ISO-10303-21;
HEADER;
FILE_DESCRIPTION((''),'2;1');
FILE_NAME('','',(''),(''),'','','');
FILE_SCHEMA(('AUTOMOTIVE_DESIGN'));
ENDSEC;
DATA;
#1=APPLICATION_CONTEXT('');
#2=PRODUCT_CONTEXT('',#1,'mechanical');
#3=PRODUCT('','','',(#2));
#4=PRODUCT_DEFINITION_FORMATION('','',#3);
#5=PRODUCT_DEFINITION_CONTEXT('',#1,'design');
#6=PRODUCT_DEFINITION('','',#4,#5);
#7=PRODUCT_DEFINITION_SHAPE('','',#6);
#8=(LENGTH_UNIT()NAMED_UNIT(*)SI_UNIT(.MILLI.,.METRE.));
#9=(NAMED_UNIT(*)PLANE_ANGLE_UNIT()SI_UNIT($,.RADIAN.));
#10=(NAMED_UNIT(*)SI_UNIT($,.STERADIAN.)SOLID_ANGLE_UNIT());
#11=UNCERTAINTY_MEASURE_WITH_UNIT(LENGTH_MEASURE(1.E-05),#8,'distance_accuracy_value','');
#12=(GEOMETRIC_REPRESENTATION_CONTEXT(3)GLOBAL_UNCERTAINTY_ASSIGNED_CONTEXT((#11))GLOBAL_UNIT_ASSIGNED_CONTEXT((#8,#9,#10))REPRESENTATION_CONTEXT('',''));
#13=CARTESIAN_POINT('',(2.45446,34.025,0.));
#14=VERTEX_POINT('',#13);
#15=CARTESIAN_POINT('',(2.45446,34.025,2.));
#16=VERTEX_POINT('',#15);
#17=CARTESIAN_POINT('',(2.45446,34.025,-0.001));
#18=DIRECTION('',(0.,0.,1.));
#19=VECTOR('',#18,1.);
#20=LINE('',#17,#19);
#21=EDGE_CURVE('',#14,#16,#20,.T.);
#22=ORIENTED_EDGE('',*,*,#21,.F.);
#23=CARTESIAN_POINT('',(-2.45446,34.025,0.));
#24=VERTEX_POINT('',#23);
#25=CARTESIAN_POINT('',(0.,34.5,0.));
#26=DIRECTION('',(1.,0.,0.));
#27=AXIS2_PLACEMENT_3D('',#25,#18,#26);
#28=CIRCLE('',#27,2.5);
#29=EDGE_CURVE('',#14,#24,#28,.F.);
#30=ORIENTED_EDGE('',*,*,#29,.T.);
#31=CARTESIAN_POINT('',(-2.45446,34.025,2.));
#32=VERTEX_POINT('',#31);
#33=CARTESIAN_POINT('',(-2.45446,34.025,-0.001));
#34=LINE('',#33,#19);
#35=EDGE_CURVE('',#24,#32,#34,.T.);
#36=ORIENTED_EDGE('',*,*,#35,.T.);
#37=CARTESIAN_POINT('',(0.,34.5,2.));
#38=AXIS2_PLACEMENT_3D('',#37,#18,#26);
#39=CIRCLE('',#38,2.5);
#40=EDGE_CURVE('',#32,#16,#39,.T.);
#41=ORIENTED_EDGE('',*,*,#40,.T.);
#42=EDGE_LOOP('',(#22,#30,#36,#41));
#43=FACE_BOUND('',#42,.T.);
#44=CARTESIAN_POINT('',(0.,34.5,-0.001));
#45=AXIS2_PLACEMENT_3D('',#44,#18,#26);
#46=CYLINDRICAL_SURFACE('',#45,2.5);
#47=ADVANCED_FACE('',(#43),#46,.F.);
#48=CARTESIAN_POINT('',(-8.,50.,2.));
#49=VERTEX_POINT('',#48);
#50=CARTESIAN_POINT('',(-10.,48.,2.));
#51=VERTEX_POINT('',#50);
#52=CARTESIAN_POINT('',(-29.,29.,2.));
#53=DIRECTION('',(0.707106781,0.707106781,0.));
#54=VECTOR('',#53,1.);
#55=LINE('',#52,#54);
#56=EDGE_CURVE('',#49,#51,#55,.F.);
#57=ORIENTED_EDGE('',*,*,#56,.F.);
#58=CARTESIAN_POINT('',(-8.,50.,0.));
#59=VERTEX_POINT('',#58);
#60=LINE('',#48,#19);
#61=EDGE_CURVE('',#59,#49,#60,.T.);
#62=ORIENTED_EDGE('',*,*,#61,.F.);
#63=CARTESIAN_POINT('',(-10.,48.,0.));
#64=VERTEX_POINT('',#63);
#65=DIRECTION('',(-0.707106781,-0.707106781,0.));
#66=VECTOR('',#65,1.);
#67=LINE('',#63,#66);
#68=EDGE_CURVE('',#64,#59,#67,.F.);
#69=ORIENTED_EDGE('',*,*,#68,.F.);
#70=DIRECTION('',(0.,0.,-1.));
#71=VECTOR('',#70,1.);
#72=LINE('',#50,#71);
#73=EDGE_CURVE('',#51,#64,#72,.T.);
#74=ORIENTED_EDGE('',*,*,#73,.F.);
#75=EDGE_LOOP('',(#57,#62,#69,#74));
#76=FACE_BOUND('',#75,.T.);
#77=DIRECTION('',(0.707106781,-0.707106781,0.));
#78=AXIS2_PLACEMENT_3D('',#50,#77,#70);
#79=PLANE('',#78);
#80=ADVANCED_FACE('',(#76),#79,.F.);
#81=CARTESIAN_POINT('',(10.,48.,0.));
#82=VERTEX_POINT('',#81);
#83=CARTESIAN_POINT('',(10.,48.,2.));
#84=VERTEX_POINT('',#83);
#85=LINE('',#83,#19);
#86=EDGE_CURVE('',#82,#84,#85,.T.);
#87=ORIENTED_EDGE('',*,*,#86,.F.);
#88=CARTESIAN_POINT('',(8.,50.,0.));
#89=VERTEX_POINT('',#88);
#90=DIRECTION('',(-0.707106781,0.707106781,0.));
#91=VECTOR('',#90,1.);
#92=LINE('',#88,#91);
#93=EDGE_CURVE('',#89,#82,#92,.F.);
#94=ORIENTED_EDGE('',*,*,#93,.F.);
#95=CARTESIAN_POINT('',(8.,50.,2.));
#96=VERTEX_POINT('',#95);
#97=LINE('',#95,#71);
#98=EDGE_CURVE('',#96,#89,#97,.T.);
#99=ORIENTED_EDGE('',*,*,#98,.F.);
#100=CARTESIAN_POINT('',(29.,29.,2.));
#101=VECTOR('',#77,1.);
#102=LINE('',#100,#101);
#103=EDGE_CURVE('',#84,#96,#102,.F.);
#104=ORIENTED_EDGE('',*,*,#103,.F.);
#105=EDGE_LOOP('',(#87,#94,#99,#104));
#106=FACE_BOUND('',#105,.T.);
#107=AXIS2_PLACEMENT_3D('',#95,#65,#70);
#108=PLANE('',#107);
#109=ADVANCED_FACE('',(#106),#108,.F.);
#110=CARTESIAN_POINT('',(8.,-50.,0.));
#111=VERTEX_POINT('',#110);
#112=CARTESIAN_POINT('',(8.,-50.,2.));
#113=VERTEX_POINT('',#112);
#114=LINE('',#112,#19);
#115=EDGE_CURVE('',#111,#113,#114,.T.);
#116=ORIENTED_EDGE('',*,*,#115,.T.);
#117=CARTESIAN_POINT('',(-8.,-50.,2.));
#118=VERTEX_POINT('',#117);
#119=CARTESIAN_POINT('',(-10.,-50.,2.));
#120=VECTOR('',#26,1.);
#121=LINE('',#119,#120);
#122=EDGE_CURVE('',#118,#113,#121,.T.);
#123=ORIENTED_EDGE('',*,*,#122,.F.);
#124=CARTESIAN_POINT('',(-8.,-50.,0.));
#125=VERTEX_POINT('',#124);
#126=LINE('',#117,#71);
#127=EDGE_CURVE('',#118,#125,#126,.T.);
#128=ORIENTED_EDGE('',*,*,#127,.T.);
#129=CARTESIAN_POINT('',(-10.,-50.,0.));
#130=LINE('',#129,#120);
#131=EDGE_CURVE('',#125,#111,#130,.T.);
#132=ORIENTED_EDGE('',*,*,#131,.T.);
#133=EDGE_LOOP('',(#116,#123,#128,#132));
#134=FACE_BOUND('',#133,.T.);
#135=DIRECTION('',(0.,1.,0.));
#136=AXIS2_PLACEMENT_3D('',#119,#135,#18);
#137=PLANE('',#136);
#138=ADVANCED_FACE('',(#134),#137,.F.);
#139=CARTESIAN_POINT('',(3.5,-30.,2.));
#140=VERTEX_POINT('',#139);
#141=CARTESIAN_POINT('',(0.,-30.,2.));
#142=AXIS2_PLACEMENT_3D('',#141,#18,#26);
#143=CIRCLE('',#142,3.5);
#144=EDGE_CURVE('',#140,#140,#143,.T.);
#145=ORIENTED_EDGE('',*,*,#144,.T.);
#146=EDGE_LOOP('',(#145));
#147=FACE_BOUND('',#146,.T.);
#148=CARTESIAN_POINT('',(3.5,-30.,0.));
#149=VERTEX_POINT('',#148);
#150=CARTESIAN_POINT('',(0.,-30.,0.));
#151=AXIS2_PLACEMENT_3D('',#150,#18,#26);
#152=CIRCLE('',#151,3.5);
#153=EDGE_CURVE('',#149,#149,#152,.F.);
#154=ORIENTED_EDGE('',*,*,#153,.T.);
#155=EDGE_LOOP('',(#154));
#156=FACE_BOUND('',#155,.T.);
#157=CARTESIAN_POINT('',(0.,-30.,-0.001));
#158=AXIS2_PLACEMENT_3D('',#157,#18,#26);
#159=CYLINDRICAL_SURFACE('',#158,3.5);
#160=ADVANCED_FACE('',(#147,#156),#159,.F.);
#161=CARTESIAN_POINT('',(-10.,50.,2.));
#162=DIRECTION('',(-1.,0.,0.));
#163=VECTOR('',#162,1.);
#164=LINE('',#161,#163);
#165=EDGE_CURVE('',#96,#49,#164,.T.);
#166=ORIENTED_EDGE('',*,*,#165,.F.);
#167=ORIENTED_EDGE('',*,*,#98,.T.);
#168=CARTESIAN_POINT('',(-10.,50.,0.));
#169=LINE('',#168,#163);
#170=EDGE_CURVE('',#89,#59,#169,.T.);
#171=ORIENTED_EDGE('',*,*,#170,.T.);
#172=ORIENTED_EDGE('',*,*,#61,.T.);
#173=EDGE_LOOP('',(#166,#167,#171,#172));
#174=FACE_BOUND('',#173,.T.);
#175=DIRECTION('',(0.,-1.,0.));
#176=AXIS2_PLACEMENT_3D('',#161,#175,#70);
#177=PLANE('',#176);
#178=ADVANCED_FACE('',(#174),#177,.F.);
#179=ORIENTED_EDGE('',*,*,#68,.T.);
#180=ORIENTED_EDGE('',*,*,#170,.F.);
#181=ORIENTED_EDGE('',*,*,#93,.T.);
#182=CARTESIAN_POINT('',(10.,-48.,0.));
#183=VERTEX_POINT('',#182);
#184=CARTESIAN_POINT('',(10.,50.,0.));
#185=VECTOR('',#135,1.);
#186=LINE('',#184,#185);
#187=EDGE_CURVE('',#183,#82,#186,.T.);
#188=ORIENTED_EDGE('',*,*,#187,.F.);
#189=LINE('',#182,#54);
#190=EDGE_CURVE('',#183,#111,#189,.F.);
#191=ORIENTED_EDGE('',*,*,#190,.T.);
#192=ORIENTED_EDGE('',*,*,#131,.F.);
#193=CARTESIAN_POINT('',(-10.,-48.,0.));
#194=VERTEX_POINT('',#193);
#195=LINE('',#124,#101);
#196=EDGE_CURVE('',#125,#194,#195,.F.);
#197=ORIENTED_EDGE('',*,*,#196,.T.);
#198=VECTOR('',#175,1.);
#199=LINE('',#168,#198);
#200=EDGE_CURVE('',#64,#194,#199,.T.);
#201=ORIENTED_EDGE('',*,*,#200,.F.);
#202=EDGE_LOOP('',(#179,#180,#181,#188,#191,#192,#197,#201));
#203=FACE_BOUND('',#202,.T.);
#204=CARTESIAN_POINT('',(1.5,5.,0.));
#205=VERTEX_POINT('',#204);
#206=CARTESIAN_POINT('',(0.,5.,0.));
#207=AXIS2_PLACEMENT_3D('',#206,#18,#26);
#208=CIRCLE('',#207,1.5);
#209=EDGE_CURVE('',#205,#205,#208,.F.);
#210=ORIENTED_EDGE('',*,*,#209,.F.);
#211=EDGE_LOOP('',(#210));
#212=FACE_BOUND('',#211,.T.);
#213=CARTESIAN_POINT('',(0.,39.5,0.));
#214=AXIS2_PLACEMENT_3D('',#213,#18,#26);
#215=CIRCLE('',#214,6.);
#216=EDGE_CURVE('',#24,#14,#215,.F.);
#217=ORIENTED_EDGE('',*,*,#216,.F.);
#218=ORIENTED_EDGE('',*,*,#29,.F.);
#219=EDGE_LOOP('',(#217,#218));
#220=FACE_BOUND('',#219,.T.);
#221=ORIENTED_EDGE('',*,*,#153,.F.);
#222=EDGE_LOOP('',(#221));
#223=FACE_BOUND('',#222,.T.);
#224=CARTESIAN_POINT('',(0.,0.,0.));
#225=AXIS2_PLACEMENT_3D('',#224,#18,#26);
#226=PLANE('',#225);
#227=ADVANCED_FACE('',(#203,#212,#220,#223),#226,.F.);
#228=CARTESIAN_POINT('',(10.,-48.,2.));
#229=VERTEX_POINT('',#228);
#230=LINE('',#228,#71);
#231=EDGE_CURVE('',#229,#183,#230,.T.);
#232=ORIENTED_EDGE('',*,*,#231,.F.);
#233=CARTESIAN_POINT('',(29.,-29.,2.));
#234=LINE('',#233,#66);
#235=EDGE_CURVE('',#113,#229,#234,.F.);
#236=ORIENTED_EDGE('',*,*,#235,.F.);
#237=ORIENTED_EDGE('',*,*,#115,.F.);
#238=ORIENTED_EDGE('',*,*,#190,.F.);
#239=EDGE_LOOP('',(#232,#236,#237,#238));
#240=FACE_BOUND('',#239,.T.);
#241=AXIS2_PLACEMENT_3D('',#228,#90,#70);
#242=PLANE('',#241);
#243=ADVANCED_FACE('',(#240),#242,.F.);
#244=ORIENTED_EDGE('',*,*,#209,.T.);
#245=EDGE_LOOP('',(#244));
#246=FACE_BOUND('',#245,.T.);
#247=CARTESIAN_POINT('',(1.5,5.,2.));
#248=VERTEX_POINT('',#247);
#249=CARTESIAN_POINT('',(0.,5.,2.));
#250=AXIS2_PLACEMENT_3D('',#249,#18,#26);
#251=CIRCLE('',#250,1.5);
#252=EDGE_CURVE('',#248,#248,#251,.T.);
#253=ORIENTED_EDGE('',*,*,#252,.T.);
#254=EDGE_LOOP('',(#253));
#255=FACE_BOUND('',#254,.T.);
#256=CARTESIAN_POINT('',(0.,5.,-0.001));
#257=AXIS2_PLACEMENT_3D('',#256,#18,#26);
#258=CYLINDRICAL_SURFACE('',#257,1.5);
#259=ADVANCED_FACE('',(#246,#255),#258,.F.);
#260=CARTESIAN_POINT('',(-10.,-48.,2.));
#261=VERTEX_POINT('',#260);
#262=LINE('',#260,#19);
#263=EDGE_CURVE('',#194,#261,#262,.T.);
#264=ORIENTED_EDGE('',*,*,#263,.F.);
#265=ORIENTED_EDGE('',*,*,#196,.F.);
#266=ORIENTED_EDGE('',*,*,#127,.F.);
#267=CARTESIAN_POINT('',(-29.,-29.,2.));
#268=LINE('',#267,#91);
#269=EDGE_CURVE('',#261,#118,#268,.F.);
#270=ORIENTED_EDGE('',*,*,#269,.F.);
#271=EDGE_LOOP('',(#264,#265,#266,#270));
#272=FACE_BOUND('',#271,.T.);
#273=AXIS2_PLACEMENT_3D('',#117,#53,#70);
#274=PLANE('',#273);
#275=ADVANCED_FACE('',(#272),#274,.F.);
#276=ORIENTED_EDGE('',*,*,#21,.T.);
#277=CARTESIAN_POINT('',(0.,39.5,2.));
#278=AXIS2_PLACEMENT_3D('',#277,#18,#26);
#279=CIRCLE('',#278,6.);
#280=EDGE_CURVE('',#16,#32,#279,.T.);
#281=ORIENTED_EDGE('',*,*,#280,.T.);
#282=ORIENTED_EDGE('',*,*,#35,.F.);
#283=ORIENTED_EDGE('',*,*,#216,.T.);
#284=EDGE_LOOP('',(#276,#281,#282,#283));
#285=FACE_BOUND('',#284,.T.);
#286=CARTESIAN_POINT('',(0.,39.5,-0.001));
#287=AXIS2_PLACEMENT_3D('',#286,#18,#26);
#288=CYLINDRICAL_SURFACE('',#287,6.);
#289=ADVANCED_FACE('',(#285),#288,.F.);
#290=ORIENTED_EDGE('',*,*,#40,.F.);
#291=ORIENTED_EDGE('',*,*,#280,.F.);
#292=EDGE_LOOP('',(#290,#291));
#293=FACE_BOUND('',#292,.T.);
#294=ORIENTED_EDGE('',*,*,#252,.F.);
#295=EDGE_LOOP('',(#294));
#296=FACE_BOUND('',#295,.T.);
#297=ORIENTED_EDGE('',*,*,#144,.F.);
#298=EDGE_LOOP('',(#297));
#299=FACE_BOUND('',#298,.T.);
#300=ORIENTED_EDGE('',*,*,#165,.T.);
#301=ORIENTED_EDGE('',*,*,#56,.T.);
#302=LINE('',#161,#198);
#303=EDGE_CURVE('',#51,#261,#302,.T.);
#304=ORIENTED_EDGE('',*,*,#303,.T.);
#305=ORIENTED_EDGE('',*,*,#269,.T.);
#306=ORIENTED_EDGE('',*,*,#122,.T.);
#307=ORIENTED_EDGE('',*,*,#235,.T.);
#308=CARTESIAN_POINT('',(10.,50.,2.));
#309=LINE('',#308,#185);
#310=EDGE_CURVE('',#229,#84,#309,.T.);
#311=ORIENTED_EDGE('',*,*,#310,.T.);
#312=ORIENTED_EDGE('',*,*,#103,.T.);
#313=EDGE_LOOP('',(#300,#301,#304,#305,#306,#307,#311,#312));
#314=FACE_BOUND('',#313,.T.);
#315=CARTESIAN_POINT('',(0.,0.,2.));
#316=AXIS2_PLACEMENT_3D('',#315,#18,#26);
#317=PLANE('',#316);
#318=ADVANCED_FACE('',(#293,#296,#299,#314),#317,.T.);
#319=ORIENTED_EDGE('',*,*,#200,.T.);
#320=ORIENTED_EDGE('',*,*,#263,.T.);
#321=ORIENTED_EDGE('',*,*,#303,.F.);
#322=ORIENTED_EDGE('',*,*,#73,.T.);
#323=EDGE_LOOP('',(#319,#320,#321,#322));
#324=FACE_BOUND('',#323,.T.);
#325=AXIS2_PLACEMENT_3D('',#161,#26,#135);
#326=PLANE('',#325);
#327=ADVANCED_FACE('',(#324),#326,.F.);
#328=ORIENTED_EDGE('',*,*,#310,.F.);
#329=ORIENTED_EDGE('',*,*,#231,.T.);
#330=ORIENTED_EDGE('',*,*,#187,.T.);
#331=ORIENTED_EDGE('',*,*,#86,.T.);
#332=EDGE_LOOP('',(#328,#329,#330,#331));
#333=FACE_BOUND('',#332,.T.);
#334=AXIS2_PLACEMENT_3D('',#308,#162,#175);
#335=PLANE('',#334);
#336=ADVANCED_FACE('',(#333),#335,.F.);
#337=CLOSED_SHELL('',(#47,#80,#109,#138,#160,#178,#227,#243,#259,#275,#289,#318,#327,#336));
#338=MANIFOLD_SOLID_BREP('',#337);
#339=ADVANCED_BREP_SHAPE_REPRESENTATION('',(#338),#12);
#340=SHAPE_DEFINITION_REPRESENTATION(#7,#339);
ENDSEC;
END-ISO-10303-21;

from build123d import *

# Parameters (mm, degrees)
SKETCH1_W           = 20
SKETCH1_H           = 100
BOSS_EXTRUDE1_DEPTH = 2
CUT_EXTRUDE1_REACH  = 53.029
SKETCH2_R           = 1.5
SKETCH2_R_2         = 3.5
CHAMFER1_SIZE       = 2


with BuildPart() as part:
    # Sketch1 → Boss-Extrude1 (new body)
    with BuildSketch(Plane.XY):
        Rectangle(SKETCH1_W, SKETCH1_H)
    extrude(amount=BOSS_EXTRUDE1_DEPTH)

    # Sketch2 → Cut-Extrude1 (cut, up to next)
    with BuildSketch(Plane.XY.offset(2), mode=Mode.PRIVATE) as cut_extrude1_sk1:
        with Locations((0, 5)):
            Circle(SKETCH2_R)
    cut_extrude1_tool1 = extrude(cut_extrude1_sk1.sketch, amount=-CUT_EXTRUDE1_REACH, mode=Mode.PRIVATE) & part.part
    # Sketch2 → Cut-Extrude1 (cut, up to next)
    with BuildSketch(Plane.XY.offset(2), mode=Mode.PRIVATE) as cut_extrude1_sk2:
        with Locations((0, -30)):
            Circle(SKETCH2_R_2)
    cut_extrude1_tool2 = extrude(cut_extrude1_sk2.sketch, amount=-CUT_EXTRUDE1_REACH, mode=Mode.PRIVATE) & part.part
    # Sketch2 → Cut-Extrude1 (cut, up to next)
    with BuildSketch(Plane.XY.offset(2), mode=Mode.PRIVATE) as cut_extrude1_sk3:
        with BuildLine():
            ThreePointArc((2.454460226, 34.025), (0, 45.5), (-2.454460226, 34.025))
            ThreePointArc((-2.454460226, 34.025), (0, 32), (2.454460226, 34.025))
        make_face()
    cut_extrude1_tool3 = extrude(cut_extrude1_sk3.sketch, amount=-CUT_EXTRUDE1_REACH, mode=Mode.PRIVATE) & part.part
    add(cut_extrude1_tool1.solids().sort_by_distance((0, 5, 2))[0], mode=Mode.SUBTRACT)
    add(cut_extrude1_tool2.solids().sort_by_distance((0, -30, 2))[0], mode=Mode.SUBTRACT)
    add(cut_extrude1_tool3.solids().sort_by_distance((0, 39.186214, 2))[0], mode=Mode.SUBTRACT)

    # Chamfer1
    chamfer1_edges = [part.edges().sort_by_distance(p)[0] for p in [
        (10, -50, 1),
        (-10, -50, 1),
        (-10, 50, 1),
        (10, 50, 1),
    ]]
    chamfer(chamfer1_edges, length=CHAMFER1_SIZE)


solid = part.part
